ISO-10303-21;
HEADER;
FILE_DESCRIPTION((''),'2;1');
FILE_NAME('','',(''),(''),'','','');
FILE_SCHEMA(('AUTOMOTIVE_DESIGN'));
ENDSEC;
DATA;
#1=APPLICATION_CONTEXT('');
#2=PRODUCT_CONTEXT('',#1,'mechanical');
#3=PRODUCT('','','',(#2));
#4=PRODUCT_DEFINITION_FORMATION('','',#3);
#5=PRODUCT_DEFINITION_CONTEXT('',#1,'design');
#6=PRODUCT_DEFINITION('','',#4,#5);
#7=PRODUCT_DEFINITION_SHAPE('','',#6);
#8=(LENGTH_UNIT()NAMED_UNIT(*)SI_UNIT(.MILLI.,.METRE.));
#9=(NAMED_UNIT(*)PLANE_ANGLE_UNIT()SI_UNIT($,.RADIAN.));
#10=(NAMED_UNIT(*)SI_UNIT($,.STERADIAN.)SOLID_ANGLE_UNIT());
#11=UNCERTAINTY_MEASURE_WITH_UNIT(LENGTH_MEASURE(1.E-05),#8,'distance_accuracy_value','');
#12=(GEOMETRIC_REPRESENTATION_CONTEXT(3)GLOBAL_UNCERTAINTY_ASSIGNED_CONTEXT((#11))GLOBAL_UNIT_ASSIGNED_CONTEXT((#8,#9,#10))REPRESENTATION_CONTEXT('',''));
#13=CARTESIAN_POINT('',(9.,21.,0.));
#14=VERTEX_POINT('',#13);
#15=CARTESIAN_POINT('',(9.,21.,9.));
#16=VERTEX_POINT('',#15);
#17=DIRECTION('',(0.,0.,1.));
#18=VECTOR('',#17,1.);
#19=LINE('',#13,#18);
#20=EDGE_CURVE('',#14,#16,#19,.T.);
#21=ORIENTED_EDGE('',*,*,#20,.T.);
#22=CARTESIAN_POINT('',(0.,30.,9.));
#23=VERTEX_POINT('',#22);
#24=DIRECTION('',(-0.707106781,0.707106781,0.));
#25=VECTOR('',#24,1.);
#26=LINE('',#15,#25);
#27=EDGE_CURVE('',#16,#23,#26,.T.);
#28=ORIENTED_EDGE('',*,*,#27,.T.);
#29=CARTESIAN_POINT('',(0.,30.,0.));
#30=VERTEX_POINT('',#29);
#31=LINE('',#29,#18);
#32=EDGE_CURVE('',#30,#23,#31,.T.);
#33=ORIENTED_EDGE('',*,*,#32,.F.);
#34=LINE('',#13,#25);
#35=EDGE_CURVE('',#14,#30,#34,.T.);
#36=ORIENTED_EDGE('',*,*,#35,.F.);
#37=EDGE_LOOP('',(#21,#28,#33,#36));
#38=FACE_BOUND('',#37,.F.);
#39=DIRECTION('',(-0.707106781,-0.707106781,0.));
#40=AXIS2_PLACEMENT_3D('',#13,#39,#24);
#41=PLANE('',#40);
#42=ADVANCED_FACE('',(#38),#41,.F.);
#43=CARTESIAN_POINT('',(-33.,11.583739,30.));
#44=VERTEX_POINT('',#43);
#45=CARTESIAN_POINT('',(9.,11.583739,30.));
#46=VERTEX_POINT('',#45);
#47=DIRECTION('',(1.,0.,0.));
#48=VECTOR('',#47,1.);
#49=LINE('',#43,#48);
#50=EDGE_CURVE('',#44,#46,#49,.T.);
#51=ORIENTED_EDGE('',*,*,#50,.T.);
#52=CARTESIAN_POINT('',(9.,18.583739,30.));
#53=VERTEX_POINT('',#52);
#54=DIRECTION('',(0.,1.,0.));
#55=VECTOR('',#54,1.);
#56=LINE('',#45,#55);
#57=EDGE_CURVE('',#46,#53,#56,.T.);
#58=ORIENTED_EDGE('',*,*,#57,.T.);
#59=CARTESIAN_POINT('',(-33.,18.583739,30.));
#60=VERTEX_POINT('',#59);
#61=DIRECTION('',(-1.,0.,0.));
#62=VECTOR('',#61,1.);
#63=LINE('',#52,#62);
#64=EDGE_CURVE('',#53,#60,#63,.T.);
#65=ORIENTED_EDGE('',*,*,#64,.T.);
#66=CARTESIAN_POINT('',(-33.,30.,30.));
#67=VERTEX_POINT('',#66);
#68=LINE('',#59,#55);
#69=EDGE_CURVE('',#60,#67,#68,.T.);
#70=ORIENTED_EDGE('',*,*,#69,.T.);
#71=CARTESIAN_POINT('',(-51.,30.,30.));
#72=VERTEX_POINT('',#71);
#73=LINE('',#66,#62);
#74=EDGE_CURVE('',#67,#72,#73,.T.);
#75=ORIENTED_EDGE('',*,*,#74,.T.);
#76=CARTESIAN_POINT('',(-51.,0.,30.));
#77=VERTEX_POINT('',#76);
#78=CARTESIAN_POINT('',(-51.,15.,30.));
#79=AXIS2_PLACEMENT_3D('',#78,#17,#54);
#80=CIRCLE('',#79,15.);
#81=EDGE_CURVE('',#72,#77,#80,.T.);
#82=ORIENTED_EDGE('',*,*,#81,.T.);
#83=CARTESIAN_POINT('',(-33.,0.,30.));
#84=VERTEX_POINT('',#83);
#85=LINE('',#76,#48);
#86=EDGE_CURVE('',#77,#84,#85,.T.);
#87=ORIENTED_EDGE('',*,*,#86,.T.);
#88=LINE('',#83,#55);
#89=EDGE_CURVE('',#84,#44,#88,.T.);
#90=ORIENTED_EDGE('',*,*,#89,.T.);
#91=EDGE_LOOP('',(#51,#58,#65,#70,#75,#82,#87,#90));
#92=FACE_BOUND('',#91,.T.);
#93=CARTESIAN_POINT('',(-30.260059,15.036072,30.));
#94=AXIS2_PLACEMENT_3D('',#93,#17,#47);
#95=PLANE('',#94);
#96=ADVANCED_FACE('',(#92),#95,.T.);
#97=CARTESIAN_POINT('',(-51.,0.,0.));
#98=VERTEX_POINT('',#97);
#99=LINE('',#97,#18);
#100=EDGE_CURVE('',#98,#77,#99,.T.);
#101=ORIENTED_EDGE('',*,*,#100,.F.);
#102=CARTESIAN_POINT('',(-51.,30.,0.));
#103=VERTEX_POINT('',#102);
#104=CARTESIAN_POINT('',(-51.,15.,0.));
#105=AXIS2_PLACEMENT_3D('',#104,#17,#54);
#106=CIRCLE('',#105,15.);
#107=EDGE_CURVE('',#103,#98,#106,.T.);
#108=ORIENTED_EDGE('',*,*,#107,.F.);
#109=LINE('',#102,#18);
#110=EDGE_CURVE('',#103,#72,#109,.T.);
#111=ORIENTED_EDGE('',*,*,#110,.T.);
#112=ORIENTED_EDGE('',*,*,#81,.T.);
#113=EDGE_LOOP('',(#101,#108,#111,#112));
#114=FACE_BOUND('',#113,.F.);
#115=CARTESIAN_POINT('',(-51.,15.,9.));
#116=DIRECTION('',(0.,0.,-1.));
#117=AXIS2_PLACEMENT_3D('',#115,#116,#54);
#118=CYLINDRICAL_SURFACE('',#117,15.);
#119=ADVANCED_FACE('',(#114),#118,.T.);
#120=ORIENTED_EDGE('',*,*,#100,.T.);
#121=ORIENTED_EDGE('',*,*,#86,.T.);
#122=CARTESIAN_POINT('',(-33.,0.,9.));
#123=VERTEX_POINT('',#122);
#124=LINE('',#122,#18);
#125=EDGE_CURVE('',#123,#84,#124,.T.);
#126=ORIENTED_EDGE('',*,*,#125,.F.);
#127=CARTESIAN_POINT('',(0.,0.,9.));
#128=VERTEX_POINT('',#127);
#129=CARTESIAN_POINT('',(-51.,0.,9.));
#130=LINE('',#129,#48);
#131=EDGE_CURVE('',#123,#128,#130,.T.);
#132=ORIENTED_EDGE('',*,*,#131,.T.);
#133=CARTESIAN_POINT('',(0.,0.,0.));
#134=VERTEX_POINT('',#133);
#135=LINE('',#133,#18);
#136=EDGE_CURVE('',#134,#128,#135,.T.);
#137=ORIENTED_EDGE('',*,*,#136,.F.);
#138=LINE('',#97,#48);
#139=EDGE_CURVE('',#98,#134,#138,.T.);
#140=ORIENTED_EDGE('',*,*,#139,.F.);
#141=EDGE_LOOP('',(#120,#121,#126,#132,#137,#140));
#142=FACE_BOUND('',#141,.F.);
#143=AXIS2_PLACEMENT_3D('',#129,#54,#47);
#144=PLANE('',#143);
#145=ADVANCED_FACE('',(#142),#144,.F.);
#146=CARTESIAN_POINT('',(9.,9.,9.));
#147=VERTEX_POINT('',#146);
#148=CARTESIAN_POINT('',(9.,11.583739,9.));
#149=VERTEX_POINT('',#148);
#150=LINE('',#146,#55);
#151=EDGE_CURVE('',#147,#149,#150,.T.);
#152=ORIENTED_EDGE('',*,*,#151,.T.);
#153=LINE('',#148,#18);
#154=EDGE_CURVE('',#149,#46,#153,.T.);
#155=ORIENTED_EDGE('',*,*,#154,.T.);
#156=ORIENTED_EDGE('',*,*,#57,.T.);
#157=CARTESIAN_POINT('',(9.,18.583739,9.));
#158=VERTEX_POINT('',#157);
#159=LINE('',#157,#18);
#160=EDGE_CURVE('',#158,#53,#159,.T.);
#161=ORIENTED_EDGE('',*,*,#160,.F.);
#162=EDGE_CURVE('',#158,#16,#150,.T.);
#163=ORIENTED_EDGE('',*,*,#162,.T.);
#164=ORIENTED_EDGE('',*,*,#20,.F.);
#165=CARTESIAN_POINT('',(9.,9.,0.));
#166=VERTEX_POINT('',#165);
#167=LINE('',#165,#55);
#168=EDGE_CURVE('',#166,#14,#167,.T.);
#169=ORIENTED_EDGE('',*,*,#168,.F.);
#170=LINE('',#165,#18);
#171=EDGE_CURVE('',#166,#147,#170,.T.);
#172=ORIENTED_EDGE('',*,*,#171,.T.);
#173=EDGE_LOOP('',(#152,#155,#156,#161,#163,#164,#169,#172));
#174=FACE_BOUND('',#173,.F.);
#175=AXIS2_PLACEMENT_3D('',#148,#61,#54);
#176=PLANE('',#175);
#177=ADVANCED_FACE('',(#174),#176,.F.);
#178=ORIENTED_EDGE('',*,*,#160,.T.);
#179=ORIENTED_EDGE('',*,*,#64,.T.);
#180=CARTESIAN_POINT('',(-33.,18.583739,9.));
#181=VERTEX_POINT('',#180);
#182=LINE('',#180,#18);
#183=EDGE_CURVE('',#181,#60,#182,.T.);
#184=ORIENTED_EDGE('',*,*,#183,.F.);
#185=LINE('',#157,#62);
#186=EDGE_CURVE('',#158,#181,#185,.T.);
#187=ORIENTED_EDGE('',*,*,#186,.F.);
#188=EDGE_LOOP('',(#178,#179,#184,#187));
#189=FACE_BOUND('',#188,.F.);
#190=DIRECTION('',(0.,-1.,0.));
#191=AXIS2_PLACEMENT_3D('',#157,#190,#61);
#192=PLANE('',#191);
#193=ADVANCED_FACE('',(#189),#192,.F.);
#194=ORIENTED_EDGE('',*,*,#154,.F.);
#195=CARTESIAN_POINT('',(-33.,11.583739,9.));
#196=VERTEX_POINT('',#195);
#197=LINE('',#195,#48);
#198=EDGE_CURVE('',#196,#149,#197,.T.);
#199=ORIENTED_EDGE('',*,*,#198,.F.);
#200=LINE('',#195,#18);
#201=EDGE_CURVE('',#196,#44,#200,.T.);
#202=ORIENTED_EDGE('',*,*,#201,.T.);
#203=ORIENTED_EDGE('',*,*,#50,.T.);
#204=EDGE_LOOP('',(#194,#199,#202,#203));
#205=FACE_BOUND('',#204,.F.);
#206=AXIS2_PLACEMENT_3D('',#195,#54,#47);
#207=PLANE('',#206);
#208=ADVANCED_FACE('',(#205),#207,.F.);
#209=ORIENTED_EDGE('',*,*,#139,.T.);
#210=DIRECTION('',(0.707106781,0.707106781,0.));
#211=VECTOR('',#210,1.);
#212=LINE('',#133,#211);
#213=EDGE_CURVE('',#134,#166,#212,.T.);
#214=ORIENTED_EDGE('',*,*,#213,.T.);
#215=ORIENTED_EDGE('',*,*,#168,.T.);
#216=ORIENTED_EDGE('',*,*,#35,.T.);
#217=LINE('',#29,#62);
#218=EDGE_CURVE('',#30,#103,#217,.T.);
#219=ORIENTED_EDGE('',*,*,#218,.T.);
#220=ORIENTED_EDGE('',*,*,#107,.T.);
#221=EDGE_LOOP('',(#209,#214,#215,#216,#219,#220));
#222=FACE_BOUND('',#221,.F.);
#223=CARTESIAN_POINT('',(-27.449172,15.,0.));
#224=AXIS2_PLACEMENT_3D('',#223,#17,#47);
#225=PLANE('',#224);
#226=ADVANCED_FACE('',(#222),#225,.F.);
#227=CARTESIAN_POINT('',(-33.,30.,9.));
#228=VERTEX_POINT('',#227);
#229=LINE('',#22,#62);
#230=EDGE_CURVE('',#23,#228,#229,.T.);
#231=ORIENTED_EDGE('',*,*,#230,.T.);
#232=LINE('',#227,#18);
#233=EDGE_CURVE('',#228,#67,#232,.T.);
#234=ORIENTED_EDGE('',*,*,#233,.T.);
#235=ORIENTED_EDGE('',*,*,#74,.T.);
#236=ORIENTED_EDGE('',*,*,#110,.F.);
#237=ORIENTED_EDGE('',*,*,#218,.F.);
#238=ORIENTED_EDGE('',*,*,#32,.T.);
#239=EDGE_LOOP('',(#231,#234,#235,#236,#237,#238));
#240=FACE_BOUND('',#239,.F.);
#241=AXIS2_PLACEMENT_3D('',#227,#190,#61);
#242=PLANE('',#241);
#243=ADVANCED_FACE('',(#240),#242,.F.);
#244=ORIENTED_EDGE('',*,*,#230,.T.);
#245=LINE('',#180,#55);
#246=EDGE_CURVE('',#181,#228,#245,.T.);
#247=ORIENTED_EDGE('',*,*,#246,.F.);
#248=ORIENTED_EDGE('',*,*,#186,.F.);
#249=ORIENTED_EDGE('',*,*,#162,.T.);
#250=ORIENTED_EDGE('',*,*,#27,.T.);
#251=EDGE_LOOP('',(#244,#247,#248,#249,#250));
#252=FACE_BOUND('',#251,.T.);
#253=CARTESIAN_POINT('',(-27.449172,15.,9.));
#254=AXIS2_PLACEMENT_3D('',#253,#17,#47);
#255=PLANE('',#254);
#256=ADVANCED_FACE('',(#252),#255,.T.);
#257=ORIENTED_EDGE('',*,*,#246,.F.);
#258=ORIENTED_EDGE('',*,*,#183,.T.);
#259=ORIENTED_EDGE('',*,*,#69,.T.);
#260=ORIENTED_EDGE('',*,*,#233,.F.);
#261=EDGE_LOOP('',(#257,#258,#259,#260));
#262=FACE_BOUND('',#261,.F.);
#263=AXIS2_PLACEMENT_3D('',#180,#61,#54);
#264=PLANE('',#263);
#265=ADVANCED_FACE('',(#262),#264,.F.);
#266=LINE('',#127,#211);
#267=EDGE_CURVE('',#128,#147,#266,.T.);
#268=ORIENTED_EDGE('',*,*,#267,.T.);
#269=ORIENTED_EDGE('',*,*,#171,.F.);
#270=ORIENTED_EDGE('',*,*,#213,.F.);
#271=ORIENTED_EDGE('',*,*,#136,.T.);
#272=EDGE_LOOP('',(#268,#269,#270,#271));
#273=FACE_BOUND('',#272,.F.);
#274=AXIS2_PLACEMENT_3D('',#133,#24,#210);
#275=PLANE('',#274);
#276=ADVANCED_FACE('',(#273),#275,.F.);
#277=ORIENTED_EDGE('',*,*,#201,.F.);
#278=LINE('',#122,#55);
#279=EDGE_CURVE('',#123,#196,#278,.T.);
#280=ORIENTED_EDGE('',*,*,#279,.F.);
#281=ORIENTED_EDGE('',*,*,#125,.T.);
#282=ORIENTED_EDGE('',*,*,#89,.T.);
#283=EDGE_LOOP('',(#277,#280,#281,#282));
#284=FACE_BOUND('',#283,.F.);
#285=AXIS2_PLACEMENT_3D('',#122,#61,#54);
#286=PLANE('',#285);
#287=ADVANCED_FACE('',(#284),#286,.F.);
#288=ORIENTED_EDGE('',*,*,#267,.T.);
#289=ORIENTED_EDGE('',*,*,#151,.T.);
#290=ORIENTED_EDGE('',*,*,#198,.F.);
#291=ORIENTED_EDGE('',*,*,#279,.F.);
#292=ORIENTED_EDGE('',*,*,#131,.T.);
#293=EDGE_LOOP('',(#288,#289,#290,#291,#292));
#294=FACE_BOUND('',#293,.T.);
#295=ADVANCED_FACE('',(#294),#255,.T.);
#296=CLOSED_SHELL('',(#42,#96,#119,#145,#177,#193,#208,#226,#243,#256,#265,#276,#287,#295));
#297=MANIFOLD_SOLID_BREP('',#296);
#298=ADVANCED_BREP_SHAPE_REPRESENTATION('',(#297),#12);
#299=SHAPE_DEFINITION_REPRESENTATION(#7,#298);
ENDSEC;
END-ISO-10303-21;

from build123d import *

# Parameters (mm, degrees)
F1_DEPTH = 9
F3_DEPTH = 21


with BuildPart() as f1:
    # F0 (on Top) → F1 (new body)
    with BuildSketch(Plane.XY):
        with BuildLine():
            Line((-51, 0), (0, 0))
            Line((0, 0), (9, 9))
            Line((9, 9), (9, 21))
            Line((9, 21), (0, 30))
            Line((0, 30), (-51, 30))
            ThreePointArc((-51, 30), (-66, 15), (-51, 0))
        make_face()
    extrude(amount=F1_DEPTH)

    # F2 (on face) → F3 (join)
    with BuildSketch(Plane.XY.offset(9)):
        with BuildLine():
            Line((-33, 18.583739), (-33, 30))
            Line((-33, 30), (-51, 30))
            ThreePointArc((-51, 30), (-66, 15), (-51, 0))
            Line((-51, 0), (-33, 0))
            Line((-33, 0), (-33, 11.583739))
            Line((-33, 11.583739), (9, 11.583739))
            Line((9, 11.583739), (9, 18.583739))
            Line((9, 18.583739), (-33, 18.583739))
        make_face()
    extrude(amount=F3_DEPTH)


solid = f1.part
